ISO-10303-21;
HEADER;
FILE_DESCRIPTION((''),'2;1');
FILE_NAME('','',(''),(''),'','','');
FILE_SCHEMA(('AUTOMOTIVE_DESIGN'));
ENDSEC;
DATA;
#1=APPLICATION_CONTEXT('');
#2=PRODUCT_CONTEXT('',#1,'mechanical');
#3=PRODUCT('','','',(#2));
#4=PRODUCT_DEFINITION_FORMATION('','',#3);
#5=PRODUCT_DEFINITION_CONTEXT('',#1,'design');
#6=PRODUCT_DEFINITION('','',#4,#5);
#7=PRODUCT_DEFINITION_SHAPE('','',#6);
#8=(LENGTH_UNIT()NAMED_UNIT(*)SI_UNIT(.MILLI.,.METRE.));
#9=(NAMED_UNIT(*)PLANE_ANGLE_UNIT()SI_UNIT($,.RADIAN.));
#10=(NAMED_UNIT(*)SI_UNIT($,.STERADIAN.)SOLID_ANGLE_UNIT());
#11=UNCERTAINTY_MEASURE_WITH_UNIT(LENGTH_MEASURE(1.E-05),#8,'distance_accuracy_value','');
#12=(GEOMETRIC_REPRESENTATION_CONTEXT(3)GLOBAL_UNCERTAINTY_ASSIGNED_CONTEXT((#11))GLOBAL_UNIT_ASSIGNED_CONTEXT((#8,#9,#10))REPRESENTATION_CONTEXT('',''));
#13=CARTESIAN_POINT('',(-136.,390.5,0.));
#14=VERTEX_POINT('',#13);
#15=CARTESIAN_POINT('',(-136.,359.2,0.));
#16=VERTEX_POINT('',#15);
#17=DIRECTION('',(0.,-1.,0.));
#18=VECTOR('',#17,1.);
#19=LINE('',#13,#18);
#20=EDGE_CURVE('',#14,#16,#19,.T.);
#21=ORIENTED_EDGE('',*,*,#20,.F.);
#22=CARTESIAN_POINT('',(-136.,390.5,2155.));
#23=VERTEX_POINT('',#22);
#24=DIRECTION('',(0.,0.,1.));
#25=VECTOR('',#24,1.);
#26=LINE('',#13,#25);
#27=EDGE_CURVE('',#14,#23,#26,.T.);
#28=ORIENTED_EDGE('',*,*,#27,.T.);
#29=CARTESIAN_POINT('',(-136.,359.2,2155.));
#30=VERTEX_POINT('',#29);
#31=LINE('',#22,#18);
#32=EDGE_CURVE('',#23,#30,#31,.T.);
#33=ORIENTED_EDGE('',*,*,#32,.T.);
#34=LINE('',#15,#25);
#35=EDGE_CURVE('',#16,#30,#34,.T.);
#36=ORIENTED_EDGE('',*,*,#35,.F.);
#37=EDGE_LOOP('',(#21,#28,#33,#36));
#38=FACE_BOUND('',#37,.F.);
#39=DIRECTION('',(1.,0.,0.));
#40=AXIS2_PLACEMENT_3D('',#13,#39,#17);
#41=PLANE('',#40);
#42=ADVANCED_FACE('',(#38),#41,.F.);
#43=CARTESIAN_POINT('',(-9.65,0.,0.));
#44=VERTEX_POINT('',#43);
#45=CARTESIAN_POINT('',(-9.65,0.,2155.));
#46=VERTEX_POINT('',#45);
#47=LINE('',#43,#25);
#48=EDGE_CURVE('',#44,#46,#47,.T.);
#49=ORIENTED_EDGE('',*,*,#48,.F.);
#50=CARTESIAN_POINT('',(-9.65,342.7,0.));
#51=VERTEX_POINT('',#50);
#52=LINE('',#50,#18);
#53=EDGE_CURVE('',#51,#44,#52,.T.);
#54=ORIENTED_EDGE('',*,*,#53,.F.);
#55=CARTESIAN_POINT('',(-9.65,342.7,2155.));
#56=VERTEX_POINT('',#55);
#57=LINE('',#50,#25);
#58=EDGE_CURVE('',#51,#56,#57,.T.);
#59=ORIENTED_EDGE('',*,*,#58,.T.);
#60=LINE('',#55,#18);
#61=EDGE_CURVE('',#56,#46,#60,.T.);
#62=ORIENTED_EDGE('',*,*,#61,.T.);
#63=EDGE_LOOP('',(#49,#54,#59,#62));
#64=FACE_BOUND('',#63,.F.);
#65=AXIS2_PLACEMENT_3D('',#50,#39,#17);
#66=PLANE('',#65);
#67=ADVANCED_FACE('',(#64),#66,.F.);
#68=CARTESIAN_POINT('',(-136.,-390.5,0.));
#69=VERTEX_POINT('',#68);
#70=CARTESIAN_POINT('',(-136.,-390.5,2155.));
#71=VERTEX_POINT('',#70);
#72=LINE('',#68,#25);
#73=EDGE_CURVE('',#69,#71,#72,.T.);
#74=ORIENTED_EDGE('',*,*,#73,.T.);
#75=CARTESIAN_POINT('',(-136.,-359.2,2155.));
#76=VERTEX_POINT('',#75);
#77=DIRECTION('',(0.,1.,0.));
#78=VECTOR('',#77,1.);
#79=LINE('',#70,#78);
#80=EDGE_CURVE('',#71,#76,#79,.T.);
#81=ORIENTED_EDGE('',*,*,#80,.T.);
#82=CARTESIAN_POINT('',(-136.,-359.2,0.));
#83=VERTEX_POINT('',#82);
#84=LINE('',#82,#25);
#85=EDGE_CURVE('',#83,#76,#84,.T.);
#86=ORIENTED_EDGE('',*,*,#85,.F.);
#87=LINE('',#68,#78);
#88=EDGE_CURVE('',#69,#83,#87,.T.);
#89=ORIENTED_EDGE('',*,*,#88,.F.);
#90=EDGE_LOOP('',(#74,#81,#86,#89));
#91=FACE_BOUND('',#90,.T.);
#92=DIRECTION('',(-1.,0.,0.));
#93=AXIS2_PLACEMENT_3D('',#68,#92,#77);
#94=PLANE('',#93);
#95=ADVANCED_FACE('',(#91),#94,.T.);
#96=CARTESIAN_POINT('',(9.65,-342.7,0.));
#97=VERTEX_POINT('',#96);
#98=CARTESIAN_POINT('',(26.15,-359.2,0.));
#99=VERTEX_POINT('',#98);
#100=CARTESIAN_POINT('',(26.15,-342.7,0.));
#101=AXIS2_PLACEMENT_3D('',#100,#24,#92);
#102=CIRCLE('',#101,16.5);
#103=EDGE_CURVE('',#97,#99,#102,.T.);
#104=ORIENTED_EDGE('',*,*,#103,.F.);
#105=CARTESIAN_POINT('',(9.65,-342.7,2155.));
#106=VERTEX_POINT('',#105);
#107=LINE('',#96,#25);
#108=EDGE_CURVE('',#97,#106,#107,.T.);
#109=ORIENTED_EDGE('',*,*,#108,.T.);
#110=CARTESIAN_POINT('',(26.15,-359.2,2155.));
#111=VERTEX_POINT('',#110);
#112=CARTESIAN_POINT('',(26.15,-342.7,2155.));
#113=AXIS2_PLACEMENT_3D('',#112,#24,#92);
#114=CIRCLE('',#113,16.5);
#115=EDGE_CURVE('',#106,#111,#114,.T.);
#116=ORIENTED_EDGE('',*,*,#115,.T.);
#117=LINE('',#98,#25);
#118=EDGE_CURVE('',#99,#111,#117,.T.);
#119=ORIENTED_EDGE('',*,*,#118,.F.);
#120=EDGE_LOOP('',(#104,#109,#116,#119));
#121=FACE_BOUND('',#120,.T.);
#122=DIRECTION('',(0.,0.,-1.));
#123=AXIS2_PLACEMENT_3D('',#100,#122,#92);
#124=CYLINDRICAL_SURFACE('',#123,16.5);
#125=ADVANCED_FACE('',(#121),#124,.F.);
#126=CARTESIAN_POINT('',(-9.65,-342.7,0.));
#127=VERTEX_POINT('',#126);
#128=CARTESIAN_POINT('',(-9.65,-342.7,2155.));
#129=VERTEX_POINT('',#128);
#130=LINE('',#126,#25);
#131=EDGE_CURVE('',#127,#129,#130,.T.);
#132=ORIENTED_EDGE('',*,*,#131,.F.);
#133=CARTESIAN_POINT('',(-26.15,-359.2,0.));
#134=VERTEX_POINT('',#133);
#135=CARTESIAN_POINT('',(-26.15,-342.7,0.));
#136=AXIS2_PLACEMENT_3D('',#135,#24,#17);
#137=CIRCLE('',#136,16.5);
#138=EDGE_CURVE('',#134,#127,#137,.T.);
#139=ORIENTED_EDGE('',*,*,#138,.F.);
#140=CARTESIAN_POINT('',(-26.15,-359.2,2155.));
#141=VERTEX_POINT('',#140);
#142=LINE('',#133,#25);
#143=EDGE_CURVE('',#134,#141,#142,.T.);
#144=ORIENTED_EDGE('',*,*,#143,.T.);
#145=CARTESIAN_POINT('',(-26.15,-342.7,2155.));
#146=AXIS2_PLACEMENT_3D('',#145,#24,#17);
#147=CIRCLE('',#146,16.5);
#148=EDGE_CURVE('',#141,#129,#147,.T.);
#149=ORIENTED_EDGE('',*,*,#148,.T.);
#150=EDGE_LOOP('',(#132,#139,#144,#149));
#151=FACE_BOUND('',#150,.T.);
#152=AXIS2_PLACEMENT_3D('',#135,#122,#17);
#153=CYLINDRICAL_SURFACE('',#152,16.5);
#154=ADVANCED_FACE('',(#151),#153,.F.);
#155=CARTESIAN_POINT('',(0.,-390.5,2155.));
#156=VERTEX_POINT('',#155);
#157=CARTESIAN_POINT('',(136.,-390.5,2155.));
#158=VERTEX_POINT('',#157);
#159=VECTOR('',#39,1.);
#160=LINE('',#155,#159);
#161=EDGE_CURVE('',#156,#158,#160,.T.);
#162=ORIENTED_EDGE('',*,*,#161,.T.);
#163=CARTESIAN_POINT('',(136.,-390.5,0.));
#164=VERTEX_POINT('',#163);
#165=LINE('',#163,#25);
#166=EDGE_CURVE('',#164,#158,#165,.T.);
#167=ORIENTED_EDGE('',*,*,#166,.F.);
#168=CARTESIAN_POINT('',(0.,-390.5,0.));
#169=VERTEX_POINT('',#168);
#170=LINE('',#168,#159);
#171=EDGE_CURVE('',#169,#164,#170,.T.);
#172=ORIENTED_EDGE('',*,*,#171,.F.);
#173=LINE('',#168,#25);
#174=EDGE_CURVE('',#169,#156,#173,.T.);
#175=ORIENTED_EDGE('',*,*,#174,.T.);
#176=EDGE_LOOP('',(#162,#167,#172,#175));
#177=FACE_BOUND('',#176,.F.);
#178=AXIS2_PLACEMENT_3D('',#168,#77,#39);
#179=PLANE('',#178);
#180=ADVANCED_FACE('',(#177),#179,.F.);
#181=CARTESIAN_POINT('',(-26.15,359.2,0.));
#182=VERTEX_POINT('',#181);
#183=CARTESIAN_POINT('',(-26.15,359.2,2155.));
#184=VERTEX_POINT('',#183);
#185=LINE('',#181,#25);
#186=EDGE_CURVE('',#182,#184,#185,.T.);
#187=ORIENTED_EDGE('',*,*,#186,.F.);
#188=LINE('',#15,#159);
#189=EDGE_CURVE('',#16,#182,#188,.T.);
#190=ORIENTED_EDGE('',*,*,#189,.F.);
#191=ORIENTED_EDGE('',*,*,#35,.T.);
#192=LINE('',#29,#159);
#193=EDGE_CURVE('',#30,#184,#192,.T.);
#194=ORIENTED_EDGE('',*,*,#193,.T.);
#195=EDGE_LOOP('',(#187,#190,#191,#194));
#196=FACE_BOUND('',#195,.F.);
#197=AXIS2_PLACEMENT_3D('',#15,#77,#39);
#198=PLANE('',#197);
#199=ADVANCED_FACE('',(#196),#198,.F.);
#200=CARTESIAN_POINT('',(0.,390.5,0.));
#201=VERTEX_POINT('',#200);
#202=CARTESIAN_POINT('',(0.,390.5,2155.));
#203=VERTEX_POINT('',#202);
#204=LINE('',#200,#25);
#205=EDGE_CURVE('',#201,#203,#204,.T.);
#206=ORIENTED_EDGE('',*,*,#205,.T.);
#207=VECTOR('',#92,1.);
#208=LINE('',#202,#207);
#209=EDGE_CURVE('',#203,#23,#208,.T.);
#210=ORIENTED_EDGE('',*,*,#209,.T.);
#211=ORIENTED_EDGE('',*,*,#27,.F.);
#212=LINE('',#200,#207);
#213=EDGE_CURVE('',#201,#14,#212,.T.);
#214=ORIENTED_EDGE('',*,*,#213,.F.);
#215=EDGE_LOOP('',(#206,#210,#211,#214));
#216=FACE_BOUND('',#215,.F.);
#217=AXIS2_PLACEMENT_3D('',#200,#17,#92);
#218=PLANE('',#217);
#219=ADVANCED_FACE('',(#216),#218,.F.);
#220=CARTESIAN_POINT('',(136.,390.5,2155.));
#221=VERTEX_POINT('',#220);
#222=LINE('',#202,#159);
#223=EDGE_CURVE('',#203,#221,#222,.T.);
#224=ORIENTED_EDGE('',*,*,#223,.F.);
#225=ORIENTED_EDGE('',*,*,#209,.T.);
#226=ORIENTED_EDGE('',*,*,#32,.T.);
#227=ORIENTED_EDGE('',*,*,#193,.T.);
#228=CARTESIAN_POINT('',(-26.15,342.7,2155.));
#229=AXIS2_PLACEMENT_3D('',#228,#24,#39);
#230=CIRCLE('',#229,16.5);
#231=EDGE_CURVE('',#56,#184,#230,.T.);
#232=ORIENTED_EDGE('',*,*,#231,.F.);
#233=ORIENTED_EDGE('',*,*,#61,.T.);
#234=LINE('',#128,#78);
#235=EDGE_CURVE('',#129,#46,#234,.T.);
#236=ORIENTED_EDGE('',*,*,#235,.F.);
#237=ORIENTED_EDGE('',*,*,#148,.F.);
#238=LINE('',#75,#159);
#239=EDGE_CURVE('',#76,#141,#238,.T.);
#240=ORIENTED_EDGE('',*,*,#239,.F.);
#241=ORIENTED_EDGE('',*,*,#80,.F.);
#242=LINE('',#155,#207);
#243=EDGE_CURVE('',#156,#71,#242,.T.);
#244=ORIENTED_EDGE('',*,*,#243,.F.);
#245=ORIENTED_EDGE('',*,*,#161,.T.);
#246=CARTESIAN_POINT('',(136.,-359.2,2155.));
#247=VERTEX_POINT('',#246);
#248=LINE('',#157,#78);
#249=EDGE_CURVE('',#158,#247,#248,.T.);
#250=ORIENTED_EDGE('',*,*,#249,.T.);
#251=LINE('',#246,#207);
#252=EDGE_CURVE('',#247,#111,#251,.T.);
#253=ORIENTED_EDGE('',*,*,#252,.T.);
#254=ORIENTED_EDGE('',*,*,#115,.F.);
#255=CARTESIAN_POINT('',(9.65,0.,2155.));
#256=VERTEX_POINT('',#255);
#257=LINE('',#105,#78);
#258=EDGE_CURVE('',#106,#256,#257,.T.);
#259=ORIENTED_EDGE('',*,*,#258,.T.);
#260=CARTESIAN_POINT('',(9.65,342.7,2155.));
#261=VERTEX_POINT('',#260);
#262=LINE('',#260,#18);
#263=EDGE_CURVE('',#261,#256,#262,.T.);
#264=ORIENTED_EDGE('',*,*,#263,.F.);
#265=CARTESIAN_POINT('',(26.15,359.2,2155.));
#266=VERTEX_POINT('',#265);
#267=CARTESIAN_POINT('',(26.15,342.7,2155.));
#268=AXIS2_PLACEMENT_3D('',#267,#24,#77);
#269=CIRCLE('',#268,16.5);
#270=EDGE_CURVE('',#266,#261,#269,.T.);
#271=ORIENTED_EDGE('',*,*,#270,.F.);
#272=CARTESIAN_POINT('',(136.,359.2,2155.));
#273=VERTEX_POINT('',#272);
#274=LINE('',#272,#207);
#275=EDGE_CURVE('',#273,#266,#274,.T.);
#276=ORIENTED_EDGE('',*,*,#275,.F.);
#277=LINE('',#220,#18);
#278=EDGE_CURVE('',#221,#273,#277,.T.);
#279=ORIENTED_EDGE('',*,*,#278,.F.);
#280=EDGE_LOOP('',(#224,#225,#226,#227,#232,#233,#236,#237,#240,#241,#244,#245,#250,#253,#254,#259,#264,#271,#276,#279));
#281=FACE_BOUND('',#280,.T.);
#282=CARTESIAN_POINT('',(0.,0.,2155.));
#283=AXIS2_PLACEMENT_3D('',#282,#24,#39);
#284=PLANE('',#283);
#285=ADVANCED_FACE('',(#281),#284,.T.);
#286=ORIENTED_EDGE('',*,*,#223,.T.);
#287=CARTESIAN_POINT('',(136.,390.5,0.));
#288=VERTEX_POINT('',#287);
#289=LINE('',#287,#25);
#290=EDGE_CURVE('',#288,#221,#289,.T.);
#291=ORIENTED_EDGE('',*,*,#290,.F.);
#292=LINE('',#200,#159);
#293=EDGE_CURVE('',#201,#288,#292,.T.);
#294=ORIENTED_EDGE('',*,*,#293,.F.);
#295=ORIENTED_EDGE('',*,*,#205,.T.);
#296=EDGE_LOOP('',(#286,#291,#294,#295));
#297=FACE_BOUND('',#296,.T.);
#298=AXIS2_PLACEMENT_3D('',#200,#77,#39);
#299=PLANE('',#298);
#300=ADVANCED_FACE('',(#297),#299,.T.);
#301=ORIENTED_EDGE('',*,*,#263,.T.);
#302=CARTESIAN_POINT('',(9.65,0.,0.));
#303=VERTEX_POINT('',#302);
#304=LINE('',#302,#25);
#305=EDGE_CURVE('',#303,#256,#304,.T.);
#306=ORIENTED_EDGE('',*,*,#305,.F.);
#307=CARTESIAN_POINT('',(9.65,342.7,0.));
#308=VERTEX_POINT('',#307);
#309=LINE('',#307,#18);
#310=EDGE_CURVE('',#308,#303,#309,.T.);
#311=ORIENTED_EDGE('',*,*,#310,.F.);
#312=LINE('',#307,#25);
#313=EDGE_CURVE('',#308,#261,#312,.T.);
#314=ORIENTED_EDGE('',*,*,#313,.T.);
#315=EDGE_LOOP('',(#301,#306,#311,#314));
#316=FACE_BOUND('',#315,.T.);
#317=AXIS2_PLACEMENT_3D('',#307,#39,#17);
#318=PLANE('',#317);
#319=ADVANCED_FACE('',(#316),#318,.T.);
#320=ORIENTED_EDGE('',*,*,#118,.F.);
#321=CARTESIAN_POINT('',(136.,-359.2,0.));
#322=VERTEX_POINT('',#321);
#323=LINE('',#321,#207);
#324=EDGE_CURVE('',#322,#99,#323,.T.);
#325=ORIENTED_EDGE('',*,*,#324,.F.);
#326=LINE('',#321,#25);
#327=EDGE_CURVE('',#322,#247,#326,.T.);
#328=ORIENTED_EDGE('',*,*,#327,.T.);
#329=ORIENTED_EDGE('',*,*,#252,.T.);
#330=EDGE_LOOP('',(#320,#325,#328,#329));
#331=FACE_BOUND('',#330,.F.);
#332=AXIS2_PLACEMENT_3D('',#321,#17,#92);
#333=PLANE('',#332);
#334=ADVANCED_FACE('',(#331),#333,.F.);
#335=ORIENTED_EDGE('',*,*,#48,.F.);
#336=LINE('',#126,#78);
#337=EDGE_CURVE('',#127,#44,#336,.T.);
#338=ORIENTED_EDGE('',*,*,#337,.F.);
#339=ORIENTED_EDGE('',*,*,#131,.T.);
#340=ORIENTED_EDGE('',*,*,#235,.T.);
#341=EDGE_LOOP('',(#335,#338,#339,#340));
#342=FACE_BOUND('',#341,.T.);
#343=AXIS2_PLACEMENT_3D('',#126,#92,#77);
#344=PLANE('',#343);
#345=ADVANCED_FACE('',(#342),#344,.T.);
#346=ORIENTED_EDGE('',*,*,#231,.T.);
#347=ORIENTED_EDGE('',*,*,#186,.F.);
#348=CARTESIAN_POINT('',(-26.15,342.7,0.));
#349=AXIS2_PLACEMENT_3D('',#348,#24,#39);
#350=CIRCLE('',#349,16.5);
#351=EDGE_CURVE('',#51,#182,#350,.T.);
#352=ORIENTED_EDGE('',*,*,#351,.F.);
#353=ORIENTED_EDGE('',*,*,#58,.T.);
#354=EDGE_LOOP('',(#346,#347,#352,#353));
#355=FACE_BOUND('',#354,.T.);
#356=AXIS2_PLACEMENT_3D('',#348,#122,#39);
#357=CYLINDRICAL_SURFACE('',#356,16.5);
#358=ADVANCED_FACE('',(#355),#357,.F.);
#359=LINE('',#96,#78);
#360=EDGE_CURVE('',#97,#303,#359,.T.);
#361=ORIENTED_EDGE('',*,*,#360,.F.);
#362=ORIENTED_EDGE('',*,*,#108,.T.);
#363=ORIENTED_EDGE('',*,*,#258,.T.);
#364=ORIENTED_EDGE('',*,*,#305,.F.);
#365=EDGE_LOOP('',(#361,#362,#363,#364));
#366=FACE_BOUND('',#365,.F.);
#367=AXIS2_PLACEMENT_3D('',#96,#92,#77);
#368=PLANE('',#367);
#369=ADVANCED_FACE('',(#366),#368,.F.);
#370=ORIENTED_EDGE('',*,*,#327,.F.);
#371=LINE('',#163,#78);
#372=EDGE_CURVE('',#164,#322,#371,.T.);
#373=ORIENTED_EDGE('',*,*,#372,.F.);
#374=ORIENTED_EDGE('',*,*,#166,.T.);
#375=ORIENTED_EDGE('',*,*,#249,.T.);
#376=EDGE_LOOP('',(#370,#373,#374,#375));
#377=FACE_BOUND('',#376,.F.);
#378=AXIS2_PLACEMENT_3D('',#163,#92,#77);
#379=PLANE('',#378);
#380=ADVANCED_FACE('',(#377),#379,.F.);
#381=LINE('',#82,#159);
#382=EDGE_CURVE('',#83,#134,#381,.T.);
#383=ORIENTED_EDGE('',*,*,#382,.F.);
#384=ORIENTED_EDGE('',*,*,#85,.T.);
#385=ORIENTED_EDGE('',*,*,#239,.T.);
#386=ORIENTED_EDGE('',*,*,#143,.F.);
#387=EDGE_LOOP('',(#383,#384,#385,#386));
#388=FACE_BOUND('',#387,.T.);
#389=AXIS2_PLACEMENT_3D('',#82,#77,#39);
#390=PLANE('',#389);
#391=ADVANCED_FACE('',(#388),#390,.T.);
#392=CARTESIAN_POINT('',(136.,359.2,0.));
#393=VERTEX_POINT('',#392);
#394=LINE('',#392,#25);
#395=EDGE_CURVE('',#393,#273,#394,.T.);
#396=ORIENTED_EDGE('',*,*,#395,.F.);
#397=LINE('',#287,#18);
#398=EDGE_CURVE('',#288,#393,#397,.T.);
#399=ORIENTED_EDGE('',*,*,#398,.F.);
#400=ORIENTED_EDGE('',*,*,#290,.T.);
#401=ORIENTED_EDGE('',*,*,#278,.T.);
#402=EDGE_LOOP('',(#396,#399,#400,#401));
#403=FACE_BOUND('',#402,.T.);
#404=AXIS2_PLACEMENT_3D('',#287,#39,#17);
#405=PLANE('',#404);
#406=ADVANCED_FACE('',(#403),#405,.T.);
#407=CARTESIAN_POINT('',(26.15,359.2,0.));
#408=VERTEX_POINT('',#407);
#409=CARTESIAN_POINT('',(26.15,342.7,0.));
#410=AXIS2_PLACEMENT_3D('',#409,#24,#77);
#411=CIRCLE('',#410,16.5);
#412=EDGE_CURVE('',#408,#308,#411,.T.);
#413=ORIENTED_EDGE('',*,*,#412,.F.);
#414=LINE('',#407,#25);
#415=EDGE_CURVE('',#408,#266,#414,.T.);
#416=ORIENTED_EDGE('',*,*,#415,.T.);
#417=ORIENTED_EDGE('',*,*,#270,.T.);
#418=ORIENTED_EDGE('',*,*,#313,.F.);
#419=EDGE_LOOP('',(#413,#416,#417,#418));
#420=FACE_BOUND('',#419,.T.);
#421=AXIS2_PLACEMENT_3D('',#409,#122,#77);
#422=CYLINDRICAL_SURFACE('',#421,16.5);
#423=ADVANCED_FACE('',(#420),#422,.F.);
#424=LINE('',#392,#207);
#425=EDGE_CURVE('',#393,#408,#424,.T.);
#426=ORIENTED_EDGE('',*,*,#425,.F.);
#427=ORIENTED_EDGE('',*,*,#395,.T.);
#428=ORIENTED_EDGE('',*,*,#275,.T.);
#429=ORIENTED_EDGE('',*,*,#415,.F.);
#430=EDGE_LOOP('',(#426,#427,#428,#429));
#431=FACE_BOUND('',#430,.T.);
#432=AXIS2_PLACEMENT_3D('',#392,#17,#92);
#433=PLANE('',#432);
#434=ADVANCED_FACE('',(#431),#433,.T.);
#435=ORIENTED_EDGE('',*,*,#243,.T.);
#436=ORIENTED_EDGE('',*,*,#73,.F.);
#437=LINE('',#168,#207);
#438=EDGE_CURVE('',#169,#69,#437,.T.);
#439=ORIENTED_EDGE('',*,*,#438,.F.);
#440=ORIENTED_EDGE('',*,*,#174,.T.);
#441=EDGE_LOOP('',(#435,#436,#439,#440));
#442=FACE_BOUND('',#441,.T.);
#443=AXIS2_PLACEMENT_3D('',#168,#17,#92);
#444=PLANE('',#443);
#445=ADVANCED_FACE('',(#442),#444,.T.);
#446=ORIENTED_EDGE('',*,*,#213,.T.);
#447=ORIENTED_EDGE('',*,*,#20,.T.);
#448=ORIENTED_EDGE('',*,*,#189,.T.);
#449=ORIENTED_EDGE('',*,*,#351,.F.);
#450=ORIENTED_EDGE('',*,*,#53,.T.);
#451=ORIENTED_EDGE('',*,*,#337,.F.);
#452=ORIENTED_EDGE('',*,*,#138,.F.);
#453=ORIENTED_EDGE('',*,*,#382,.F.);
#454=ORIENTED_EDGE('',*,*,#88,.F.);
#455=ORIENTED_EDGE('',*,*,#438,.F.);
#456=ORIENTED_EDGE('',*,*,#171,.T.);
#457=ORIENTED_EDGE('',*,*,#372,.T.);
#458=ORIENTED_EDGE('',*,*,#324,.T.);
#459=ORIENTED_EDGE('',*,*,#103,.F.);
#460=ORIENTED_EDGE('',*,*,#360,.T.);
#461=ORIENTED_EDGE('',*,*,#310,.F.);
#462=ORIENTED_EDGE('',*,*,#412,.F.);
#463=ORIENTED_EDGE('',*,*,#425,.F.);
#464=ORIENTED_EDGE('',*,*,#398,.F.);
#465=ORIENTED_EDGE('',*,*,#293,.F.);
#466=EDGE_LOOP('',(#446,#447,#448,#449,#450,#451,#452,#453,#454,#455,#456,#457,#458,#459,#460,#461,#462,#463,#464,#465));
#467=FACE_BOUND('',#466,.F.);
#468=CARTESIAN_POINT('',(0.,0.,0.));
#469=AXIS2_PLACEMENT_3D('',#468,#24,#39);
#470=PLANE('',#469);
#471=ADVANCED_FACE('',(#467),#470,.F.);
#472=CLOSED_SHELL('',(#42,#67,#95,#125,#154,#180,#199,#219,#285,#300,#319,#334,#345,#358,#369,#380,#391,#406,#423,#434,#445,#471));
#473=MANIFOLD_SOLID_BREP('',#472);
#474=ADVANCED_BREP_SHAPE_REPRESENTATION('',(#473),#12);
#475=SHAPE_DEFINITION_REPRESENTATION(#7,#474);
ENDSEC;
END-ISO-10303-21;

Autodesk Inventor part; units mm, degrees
ref_plane "YZ Plane" through (0, 0, 0) normal (1, 0, 0) x (0, 1, 0)
ref_plane "Start plane" through (0, 0, 0) normal (0, 0, 1) x (1, 0, 0)
ref_plane "End plane" through (0, 0, 2155) normal (0, 0, 1) x (1, 0, 0)
sketch "Sketch" plane through (0, 0, 0) normal (0, 0, 1) x (1, 0, 0)
  line L0 (-136, -390.5) -> (-136, -359.2)
  line L1 (-136, -359.2) -> (-26.15, -359.2)
  line L2 (-9.65, -342.7) -> (-9.65, 0)
  line L3 (-9.65, 0) -> (0, 0) construction
  line L4 (0, 0) -> (0, -390.5) construction
  line L5 (0, -390.5) -> (-136, -390.5)
  line L6 (-60, 0) -> (80, 0) construction
  line L7 (0, -60) -> (0, 80) construction
  line L8 (136, -390.5) -> (136, -359.2)
  line L9 (136, -359.2) -> (26.15, -359.2)
  line L10 (9.65, -342.7) -> (9.65, 0)
  line L11 (9.65, 0) -> (0, 0) construction
  line L12 (0, -390.5) -> (136, -390.5)
  line L13 (-136, 390.5) -> (-136, 359.2)
  line L14 (-136, 359.2) -> (-26.15, 359.2)
  line L15 (-9.65, 342.7) -> (-9.65, 0)
  line L16 (0, 390.5) -> (-136, 390.5)
  line L17 (136, 390.5) -> (136, 359.2)
  line L18 (136, 359.2) -> (26.15, 359.2)
  line L19 (0, 390.5) -> (136, 390.5)
  line L20 (9.65, 342.7) -> (9.65, 0)
  arc A0 (-9.65, 342.7) -> (-26.15, 359.2) centre (-26.15, 342.7) ccw
  arc A1 (26.15, 359.2) -> (9.65, 342.7) centre (26.15, 342.7) ccw
  arc A2 (9.65, -342.7) -> (26.15, -359.2) centre (26.15, -342.7) ccw
  arc A3 (-26.15, -359.2) -> (-9.65, -342.7) centre (-26.15, -342.7) ccw
  line L21 (0, 108) -> (0, -88) construction
  line L22 (-88, 0) -> (108, 0) construction
  point P0 (-9.65, -359.2)
  point P1 (9.65, -359.2)
  point P2 (-9.65, 359.2)
  point P3 (9.65, 359.2)
  dimension "d1" = 390.5
  dimension "d2" = 31.3
  dimension "d3" = 136
  dimension "d4" = 9.65
  dimension "d10" = 16.5
extrude "Body" add sketch "Sketch" along normal up to surface (2155 mm away) from surface at 0
sketch "Sketch4" plane through (0, 0, 0) normal (0, 0, 1) x (1, 0, 0)
  line L0 (0, 0) -> (10, 0)
ref_plane "Work Plane3" through (0, 0, 0) normal (0, -1, 0) x (1, 0, 0)
sketch "Sketch5" plane through (0, 0, 0) normal (0, -1, 0) x (1, 0, 0)
  line L0 (-2, 0) -> (12, 0) projected
  line L1 (-2, 2155) -> (12, 2155) projected
  dimension "d14" = 2155
equation "\"d1\" = 0.5 * G_H"
equation "\"d2\" = G_T1"
equation "\"d3\" = 0.5 * G_W"
equation "\"d4\" = 0.5 * G_T"
equation "\"d10\" = G_IR"
equation "\"d5\" = G_L"
equation "\"G_W\" = 272"
equation "\"G_H\" = 781"
equation "\"G_T\" = 19.3"
equation "\"G_T1\" = 31.3"
equation "\"G_IR\" = 16.5"
equation "\"G_L\" = d14"
equation "\"G_OFFSET_START\" = 0"
equation "\"G_OFFSET_END\" = 0"
equation "\"d12\" = G_OFFSET_END + B_L"
equation "\"B_L\" = 2155"
properties part number "AS 3679-1990 - 760 UB - 244 - 2155" material "Steel, Mild"
